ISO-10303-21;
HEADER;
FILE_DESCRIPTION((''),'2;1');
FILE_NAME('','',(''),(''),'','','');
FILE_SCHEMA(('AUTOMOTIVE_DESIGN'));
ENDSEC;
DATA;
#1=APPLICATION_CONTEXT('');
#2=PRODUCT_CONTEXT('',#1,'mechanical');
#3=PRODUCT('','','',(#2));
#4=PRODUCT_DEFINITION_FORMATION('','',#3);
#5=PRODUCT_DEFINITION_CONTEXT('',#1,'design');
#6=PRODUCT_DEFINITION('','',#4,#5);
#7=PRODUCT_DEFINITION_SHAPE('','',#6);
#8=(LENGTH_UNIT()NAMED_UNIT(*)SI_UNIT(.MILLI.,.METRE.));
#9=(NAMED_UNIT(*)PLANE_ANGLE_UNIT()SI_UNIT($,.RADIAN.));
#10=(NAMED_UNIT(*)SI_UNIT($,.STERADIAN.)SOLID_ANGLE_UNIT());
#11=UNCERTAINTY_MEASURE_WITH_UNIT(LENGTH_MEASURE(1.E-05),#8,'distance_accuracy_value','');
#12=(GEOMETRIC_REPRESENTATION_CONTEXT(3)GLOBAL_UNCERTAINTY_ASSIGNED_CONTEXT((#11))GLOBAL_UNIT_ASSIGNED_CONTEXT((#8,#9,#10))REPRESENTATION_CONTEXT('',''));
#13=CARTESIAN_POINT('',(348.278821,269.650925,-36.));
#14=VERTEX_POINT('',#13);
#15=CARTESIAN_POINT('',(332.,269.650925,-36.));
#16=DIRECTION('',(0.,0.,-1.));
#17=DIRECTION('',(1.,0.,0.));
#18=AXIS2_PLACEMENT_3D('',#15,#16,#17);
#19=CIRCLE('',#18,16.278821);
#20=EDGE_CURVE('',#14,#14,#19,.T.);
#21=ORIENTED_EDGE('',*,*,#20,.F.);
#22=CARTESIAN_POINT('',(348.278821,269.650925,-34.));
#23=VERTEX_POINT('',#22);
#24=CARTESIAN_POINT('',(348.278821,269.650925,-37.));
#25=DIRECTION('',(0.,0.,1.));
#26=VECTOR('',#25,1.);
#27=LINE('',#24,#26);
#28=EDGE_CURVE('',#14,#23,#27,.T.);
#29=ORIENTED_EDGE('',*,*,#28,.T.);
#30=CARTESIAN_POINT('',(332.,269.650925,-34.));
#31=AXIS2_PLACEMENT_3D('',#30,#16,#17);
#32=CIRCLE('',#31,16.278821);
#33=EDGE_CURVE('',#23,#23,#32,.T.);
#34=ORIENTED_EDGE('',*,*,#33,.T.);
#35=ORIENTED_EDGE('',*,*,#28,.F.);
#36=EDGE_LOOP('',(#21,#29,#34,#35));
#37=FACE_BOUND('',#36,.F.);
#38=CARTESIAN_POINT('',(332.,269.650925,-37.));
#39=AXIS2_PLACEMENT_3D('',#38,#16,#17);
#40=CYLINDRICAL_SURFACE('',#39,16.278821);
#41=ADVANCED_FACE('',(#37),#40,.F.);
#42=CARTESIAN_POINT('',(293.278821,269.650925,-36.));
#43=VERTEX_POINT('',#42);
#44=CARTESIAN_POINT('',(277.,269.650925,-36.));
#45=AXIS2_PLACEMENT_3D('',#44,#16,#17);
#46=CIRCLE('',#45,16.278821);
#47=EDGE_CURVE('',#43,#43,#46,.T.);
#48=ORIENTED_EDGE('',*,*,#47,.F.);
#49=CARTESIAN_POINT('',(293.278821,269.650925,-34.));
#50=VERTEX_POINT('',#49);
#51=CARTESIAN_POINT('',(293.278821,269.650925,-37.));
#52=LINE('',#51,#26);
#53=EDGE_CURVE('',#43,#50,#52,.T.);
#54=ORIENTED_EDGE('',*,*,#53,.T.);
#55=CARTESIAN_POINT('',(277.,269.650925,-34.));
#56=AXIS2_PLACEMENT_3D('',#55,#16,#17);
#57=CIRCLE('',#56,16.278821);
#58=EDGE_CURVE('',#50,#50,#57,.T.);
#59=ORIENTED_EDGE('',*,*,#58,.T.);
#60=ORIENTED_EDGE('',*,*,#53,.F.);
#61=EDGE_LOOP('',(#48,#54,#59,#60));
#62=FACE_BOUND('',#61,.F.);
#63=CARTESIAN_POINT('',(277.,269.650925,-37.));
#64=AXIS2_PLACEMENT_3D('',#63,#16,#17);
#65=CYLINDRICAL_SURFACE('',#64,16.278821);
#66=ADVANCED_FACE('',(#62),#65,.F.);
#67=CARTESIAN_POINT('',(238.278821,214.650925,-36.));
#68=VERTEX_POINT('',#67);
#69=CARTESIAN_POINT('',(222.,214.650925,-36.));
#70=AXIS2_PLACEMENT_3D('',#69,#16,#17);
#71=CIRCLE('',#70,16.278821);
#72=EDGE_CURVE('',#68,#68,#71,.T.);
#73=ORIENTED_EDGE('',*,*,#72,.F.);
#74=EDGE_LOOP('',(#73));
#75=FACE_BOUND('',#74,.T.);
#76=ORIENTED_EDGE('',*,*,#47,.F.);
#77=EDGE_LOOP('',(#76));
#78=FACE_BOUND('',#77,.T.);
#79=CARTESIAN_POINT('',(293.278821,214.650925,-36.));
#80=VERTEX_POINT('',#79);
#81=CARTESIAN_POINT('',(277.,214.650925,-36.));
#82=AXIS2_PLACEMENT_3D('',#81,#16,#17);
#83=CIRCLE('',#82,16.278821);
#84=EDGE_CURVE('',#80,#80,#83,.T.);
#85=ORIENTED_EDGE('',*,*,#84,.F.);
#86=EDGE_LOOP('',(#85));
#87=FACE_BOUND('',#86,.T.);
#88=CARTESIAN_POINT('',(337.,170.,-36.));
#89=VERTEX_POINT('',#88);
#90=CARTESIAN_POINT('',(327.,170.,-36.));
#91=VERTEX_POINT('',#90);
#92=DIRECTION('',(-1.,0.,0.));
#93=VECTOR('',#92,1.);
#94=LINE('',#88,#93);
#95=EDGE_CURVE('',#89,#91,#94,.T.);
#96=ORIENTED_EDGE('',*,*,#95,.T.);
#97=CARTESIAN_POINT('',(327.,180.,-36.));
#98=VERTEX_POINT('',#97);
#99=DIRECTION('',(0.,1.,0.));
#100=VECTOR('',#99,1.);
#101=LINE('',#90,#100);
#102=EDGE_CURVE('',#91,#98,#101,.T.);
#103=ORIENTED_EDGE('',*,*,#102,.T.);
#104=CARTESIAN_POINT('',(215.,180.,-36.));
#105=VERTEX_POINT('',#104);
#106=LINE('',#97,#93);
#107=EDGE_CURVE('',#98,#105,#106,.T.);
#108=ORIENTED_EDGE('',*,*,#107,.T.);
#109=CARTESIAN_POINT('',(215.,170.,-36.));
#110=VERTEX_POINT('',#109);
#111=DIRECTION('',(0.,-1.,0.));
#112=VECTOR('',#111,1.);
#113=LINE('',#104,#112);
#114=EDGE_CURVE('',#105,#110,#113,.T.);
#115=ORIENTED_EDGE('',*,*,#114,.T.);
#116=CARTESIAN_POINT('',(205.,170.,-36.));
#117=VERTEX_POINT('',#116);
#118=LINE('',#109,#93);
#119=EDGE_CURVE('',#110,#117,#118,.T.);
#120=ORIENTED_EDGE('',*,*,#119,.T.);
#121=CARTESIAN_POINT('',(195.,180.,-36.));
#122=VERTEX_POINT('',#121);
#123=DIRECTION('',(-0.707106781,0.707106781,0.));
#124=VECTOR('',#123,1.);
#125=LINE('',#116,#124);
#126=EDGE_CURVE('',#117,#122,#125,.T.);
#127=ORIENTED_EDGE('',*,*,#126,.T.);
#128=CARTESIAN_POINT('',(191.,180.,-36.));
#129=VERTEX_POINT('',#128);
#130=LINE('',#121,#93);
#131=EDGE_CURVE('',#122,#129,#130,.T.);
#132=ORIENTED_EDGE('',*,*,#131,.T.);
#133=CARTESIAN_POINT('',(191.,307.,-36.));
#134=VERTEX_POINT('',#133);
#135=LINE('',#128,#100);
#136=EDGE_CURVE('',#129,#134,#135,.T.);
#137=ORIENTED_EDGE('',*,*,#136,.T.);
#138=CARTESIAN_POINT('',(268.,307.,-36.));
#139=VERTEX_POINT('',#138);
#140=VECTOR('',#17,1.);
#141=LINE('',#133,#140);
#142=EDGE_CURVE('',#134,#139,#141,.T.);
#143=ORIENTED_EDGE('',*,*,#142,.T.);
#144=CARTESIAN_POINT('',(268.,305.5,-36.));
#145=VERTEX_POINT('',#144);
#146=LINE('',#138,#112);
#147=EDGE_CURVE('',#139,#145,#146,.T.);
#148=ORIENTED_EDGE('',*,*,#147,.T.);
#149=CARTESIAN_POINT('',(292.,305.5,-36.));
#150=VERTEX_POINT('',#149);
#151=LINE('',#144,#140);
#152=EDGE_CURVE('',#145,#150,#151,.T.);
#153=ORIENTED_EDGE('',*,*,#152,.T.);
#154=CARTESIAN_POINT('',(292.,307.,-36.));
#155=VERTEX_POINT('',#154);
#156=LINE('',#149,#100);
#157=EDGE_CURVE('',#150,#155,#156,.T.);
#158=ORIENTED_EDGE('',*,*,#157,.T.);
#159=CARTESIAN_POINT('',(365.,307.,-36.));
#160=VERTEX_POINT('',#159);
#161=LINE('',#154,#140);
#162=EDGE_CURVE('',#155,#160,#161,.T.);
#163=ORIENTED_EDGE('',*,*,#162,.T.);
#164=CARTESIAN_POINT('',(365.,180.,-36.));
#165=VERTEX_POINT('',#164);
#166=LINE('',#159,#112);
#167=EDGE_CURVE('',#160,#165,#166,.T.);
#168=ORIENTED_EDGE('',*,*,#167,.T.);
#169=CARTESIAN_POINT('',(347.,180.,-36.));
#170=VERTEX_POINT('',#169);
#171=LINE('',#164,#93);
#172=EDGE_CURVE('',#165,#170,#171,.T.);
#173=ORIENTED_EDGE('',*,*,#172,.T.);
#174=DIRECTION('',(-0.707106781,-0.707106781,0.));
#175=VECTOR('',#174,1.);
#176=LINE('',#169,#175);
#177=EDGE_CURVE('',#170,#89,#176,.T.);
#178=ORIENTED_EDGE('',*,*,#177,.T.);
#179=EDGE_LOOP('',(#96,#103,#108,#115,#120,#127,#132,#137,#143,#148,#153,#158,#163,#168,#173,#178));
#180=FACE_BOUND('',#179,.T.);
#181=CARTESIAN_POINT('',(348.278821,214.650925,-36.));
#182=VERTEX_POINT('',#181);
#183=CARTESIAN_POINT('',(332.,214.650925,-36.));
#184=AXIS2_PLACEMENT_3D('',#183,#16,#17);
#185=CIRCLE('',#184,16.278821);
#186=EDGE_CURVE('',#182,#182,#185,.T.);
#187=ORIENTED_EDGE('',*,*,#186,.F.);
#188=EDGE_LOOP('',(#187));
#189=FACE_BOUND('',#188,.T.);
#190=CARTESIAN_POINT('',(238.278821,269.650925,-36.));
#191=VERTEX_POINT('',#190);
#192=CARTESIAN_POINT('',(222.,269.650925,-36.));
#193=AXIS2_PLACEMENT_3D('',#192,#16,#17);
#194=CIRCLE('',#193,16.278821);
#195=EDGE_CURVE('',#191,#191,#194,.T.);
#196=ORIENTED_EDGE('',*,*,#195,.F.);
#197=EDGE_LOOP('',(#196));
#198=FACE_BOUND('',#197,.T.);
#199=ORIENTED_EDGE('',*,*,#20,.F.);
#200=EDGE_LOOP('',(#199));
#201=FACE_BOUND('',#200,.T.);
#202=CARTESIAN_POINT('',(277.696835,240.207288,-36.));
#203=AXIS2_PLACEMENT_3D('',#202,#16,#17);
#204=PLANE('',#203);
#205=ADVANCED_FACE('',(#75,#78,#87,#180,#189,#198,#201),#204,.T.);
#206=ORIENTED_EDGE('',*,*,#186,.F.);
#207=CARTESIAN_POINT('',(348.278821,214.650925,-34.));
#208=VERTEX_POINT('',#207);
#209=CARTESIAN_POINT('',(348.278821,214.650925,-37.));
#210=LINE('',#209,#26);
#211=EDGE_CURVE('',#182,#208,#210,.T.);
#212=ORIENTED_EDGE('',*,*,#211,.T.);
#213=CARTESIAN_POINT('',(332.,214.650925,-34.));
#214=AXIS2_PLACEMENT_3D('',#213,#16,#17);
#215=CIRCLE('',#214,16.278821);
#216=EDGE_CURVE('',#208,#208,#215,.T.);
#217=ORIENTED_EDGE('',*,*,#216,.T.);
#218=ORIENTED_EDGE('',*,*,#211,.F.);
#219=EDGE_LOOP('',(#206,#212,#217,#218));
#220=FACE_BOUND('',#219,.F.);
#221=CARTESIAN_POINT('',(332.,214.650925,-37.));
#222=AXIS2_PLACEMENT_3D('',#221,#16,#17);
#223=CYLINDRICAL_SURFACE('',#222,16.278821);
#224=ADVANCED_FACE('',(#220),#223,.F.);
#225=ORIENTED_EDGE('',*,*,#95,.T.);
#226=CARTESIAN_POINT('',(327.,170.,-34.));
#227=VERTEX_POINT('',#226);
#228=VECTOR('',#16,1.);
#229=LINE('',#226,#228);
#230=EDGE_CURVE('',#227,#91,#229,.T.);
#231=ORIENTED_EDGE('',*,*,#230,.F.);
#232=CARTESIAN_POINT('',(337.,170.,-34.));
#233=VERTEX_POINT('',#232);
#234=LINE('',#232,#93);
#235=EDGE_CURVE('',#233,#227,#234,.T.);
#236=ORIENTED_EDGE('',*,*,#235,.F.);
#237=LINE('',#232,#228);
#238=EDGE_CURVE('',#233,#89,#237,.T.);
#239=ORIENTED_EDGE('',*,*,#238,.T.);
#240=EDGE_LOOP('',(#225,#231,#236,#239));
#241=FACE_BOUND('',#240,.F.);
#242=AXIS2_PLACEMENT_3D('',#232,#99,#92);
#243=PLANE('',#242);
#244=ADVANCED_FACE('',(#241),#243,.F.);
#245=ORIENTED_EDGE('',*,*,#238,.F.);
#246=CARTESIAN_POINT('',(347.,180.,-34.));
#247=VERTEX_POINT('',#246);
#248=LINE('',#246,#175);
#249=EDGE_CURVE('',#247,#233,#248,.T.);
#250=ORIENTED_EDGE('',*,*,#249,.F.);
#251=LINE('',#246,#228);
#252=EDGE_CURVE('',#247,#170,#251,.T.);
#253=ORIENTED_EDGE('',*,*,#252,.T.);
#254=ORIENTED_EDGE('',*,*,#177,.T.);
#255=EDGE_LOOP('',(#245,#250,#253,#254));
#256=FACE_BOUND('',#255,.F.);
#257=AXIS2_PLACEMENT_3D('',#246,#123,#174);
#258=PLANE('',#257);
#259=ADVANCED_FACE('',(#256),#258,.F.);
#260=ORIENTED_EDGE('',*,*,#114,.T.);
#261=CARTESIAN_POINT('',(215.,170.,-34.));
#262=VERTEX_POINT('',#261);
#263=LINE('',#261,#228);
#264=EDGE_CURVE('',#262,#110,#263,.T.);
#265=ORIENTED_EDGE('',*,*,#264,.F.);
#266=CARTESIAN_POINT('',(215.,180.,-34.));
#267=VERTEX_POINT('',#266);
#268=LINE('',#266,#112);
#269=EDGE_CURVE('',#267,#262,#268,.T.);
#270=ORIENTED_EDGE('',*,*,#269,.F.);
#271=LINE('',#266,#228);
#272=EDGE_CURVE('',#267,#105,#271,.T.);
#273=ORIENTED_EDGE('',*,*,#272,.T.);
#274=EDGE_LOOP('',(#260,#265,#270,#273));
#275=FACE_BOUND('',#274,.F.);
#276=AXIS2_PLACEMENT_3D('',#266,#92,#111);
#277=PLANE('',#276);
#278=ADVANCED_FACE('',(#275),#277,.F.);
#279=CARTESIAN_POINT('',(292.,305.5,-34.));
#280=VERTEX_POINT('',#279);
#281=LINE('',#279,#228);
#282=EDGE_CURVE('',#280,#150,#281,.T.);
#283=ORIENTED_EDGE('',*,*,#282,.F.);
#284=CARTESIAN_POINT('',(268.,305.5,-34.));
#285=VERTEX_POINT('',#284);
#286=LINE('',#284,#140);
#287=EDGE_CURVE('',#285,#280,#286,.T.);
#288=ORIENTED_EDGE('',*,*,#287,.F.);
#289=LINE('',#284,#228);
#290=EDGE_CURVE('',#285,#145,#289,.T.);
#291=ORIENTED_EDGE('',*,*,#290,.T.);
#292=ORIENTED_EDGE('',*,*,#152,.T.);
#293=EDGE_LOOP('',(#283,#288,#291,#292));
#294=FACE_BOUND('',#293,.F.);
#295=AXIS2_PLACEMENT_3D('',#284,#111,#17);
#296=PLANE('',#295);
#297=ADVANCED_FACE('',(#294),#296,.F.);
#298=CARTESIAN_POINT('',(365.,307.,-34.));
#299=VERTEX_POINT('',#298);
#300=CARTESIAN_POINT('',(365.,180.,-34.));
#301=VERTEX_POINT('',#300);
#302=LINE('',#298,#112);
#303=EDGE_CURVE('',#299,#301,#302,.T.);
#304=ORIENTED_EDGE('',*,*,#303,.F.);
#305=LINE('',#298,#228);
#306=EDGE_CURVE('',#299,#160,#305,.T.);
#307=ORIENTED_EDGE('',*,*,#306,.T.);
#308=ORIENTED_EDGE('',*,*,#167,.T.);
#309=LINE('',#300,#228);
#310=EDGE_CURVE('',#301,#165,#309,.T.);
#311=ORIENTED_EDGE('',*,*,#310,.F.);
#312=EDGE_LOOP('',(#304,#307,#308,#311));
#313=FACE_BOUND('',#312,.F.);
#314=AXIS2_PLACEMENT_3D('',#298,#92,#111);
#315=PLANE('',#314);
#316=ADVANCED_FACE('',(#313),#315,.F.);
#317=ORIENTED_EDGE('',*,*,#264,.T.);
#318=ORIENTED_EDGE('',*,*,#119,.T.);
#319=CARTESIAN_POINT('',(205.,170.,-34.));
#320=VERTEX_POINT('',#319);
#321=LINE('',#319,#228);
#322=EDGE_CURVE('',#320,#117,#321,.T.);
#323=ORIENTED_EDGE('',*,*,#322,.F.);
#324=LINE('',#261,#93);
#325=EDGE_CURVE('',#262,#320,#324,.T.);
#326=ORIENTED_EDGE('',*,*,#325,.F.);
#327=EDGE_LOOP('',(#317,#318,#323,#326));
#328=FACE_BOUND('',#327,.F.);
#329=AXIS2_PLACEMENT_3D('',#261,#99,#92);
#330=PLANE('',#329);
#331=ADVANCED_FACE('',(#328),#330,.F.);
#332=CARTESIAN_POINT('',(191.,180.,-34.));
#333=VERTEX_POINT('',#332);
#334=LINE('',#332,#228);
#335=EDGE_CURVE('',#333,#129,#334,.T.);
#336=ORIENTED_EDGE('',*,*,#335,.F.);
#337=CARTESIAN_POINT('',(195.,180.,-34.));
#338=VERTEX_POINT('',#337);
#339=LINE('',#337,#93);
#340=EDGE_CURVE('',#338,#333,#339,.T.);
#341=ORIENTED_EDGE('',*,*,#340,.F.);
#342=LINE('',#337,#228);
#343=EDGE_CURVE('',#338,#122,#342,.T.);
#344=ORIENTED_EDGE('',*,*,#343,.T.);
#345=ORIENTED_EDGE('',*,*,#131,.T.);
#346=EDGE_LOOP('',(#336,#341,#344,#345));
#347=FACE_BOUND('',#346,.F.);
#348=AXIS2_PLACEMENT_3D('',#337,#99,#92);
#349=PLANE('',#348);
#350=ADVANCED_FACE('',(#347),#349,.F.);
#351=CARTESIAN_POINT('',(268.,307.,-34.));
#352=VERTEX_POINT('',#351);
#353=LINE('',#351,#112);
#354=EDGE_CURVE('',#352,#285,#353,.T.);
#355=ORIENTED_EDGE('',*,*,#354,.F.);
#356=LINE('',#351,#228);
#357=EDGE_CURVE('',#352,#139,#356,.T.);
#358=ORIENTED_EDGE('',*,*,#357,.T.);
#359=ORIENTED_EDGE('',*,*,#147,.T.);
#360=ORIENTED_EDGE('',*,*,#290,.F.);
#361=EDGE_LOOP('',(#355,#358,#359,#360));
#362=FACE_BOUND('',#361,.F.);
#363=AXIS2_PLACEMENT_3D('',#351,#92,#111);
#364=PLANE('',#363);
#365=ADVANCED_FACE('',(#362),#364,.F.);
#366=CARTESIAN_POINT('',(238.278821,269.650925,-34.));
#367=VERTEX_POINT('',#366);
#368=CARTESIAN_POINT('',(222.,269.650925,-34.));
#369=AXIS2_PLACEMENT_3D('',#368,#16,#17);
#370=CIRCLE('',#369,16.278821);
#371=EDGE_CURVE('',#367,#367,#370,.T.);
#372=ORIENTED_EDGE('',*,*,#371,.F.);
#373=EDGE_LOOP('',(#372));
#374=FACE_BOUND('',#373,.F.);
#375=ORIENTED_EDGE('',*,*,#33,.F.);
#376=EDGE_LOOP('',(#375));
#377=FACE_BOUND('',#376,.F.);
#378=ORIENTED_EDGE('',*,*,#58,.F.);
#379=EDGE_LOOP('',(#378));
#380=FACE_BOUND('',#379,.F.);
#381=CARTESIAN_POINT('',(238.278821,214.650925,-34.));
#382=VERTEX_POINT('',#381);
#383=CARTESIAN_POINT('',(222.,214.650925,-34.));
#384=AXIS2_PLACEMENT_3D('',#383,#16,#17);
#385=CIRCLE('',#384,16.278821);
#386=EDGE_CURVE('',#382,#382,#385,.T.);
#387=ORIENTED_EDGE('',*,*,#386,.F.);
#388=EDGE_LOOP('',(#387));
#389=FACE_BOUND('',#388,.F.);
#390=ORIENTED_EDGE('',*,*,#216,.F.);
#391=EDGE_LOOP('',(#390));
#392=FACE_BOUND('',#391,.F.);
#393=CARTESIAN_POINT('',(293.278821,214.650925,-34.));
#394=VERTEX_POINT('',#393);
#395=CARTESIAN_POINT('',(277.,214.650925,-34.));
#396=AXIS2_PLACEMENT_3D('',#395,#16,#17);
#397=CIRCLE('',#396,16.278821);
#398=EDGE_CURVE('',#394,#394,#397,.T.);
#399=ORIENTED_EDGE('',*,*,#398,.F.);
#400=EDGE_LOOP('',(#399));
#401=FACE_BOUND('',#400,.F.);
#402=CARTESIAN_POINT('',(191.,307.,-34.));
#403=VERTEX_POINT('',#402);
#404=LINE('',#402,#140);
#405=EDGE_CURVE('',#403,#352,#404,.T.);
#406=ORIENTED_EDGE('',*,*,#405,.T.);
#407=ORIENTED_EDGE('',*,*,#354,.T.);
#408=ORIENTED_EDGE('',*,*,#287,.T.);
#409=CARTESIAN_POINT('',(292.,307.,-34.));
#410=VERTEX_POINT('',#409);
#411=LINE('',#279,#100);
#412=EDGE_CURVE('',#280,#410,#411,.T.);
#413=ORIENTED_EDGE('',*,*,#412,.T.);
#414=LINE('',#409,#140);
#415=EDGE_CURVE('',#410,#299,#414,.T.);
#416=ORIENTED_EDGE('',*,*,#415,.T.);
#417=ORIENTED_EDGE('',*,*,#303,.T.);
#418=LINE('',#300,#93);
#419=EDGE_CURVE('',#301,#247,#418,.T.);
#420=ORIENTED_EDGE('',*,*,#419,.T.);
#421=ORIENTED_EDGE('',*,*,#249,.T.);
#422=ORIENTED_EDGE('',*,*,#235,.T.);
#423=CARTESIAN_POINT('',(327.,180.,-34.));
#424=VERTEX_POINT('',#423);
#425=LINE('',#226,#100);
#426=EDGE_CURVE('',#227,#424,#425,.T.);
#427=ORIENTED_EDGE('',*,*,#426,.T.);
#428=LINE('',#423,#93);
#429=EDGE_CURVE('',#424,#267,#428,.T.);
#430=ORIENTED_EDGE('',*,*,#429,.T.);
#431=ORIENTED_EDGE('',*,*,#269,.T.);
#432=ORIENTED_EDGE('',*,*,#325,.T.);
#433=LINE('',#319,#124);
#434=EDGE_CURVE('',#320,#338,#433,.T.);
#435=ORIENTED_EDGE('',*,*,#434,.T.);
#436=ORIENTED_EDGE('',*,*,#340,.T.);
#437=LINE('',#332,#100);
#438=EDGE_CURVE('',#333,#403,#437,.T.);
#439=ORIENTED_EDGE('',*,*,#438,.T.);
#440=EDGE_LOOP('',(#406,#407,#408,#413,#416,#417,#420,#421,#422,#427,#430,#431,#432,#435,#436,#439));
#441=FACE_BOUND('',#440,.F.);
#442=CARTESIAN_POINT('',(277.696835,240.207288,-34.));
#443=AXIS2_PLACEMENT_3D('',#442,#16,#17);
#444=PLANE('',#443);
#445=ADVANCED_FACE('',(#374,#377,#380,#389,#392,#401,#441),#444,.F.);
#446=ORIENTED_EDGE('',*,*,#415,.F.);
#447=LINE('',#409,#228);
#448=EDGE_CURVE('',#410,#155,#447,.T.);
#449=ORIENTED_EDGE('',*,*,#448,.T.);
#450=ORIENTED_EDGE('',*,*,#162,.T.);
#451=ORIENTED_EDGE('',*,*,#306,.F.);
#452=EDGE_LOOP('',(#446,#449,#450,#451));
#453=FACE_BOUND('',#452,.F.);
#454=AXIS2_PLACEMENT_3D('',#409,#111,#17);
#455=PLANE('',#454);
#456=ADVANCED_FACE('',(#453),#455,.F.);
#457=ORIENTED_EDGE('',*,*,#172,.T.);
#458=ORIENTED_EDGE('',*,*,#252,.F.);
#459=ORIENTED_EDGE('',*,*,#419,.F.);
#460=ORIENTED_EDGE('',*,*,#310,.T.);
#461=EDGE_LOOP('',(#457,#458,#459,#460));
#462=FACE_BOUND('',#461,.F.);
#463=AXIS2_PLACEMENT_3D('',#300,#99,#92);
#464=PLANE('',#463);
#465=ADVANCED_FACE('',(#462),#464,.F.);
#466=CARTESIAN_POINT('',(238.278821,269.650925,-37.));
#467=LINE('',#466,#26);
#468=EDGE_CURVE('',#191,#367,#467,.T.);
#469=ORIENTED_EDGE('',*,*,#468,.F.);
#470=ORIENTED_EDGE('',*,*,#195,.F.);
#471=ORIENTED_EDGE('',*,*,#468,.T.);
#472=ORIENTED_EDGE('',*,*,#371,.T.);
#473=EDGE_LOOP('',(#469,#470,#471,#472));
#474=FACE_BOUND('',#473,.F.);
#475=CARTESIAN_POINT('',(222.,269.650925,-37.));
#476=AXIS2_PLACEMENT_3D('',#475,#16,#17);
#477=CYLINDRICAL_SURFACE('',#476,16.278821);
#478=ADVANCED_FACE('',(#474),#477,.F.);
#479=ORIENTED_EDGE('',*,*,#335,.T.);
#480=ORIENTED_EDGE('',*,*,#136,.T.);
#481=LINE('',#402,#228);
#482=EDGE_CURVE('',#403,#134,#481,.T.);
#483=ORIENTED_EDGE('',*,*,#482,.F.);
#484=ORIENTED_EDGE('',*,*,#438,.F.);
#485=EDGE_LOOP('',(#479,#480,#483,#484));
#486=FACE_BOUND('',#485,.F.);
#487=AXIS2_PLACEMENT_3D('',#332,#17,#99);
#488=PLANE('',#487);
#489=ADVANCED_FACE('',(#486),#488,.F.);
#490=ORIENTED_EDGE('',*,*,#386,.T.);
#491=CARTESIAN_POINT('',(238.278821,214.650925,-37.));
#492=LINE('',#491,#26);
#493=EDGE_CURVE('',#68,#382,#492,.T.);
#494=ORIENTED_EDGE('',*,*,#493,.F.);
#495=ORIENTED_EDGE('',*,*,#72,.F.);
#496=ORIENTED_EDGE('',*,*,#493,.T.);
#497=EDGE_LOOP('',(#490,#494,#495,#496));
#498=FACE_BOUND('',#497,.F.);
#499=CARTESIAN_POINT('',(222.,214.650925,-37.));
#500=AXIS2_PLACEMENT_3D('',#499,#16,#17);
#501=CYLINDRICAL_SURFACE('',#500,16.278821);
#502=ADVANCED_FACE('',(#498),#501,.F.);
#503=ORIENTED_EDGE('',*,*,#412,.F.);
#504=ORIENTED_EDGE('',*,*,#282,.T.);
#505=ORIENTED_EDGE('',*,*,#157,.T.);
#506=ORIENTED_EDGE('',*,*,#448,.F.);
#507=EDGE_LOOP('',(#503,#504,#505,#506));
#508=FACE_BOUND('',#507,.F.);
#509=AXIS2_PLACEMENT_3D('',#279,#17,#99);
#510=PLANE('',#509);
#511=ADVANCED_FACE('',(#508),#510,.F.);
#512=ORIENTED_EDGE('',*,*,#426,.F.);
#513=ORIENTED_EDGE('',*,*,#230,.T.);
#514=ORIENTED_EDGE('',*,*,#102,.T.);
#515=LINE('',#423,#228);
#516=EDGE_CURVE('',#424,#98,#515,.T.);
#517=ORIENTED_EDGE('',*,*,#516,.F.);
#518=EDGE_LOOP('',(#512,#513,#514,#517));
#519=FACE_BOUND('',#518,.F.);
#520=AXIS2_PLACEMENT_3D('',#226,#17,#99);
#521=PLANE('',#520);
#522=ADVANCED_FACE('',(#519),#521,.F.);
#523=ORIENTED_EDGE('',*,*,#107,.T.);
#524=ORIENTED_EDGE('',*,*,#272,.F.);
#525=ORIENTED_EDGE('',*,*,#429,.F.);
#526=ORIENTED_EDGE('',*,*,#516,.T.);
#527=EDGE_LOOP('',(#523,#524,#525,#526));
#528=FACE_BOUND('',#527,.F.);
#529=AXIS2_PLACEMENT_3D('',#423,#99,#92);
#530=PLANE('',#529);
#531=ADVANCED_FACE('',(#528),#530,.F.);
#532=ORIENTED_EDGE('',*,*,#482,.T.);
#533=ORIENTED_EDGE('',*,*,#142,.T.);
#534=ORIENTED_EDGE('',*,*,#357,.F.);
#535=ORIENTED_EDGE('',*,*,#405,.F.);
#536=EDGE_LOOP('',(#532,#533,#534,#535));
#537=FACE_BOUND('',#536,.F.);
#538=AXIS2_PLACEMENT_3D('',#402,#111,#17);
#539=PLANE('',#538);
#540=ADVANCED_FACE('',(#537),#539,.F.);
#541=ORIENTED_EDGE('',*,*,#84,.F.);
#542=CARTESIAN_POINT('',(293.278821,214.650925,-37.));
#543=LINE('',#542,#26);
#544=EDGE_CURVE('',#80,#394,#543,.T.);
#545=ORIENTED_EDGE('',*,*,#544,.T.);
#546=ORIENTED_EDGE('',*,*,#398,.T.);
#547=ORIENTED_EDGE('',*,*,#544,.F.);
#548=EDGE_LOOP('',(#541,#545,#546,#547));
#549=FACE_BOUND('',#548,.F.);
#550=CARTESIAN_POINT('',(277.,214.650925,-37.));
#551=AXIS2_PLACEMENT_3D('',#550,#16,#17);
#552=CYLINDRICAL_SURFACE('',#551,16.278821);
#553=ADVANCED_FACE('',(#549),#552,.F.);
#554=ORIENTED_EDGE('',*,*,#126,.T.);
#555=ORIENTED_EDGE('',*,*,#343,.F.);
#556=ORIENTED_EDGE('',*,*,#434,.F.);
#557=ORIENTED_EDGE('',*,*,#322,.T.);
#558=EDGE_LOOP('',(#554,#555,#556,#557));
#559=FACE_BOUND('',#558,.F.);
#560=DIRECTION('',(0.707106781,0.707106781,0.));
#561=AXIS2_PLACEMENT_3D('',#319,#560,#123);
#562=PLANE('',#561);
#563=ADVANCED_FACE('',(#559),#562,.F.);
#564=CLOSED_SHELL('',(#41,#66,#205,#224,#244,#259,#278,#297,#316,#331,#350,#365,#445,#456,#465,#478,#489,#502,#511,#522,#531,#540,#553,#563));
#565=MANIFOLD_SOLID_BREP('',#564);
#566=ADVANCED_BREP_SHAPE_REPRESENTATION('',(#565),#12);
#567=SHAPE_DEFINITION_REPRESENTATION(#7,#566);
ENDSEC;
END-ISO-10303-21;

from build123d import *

# Parameters (mm, degrees)
SKETCH162_R      = 16.278821
EXTRUDE144_DEPTH = 4
ARRAY_X_COUNT    = 3
ARRAY_X_PITCH    = 55
ARRAY_Y_COUNT    = 2
ARRAY_Y_PITCH    = 55
EXTRUDE129_DEPTH = 2


with BuildPart() as array:
    # Sketch162 → Extrude144 (new body)
    with BuildSketch(Plane(origin=(0, 0, -37), x_dir=(1, 0, 0), z_dir=(0, 0, -1))):
        with Locations((222, -214.650925)):
            Circle(SKETCH162_R)
    extrude(amount=-EXTRUDE144_DEPTH)

    # Array X: Array ×3


with BuildPart() as array_1:
    add(array.part)
    with Locations(*[(i * ARRAY_X_PITCH, 0, 0) for i in range(1, ARRAY_X_COUNT)]):
        add(array.part)

    # Array Y: Array ×2


with BuildPart() as array_2:
    add(array_1.part)
    with Locations(*[(0, i * ARRAY_Y_PITCH, 0) for i in range(1, ARRAY_Y_COUNT)]):
        add(array_1.part)


with BuildPart() as cut009:
    # Sketch141 → Extrude129 (new body)
    with BuildSketch(Plane(origin=(0, 0, -34), x_dir=(1, 0, 0), z_dir=(0, 0, -1))):
        Polygon((215, -170), (205, -170), (195, -180), (191, -180), (191, -307), (268, -307), (268, -305.5), (292, -305.5), (292, -307), (365, -307), (365, -180), (347, -180), (337, -170), (327, -170), (327, -180), (215, -180), align=None)
    extrude(amount=EXTRUDE129_DEPTH)

    # Cut009: cut Array
    add(array_2.part, mode=Mode.SUBTRACT)


solid = cut009.part
